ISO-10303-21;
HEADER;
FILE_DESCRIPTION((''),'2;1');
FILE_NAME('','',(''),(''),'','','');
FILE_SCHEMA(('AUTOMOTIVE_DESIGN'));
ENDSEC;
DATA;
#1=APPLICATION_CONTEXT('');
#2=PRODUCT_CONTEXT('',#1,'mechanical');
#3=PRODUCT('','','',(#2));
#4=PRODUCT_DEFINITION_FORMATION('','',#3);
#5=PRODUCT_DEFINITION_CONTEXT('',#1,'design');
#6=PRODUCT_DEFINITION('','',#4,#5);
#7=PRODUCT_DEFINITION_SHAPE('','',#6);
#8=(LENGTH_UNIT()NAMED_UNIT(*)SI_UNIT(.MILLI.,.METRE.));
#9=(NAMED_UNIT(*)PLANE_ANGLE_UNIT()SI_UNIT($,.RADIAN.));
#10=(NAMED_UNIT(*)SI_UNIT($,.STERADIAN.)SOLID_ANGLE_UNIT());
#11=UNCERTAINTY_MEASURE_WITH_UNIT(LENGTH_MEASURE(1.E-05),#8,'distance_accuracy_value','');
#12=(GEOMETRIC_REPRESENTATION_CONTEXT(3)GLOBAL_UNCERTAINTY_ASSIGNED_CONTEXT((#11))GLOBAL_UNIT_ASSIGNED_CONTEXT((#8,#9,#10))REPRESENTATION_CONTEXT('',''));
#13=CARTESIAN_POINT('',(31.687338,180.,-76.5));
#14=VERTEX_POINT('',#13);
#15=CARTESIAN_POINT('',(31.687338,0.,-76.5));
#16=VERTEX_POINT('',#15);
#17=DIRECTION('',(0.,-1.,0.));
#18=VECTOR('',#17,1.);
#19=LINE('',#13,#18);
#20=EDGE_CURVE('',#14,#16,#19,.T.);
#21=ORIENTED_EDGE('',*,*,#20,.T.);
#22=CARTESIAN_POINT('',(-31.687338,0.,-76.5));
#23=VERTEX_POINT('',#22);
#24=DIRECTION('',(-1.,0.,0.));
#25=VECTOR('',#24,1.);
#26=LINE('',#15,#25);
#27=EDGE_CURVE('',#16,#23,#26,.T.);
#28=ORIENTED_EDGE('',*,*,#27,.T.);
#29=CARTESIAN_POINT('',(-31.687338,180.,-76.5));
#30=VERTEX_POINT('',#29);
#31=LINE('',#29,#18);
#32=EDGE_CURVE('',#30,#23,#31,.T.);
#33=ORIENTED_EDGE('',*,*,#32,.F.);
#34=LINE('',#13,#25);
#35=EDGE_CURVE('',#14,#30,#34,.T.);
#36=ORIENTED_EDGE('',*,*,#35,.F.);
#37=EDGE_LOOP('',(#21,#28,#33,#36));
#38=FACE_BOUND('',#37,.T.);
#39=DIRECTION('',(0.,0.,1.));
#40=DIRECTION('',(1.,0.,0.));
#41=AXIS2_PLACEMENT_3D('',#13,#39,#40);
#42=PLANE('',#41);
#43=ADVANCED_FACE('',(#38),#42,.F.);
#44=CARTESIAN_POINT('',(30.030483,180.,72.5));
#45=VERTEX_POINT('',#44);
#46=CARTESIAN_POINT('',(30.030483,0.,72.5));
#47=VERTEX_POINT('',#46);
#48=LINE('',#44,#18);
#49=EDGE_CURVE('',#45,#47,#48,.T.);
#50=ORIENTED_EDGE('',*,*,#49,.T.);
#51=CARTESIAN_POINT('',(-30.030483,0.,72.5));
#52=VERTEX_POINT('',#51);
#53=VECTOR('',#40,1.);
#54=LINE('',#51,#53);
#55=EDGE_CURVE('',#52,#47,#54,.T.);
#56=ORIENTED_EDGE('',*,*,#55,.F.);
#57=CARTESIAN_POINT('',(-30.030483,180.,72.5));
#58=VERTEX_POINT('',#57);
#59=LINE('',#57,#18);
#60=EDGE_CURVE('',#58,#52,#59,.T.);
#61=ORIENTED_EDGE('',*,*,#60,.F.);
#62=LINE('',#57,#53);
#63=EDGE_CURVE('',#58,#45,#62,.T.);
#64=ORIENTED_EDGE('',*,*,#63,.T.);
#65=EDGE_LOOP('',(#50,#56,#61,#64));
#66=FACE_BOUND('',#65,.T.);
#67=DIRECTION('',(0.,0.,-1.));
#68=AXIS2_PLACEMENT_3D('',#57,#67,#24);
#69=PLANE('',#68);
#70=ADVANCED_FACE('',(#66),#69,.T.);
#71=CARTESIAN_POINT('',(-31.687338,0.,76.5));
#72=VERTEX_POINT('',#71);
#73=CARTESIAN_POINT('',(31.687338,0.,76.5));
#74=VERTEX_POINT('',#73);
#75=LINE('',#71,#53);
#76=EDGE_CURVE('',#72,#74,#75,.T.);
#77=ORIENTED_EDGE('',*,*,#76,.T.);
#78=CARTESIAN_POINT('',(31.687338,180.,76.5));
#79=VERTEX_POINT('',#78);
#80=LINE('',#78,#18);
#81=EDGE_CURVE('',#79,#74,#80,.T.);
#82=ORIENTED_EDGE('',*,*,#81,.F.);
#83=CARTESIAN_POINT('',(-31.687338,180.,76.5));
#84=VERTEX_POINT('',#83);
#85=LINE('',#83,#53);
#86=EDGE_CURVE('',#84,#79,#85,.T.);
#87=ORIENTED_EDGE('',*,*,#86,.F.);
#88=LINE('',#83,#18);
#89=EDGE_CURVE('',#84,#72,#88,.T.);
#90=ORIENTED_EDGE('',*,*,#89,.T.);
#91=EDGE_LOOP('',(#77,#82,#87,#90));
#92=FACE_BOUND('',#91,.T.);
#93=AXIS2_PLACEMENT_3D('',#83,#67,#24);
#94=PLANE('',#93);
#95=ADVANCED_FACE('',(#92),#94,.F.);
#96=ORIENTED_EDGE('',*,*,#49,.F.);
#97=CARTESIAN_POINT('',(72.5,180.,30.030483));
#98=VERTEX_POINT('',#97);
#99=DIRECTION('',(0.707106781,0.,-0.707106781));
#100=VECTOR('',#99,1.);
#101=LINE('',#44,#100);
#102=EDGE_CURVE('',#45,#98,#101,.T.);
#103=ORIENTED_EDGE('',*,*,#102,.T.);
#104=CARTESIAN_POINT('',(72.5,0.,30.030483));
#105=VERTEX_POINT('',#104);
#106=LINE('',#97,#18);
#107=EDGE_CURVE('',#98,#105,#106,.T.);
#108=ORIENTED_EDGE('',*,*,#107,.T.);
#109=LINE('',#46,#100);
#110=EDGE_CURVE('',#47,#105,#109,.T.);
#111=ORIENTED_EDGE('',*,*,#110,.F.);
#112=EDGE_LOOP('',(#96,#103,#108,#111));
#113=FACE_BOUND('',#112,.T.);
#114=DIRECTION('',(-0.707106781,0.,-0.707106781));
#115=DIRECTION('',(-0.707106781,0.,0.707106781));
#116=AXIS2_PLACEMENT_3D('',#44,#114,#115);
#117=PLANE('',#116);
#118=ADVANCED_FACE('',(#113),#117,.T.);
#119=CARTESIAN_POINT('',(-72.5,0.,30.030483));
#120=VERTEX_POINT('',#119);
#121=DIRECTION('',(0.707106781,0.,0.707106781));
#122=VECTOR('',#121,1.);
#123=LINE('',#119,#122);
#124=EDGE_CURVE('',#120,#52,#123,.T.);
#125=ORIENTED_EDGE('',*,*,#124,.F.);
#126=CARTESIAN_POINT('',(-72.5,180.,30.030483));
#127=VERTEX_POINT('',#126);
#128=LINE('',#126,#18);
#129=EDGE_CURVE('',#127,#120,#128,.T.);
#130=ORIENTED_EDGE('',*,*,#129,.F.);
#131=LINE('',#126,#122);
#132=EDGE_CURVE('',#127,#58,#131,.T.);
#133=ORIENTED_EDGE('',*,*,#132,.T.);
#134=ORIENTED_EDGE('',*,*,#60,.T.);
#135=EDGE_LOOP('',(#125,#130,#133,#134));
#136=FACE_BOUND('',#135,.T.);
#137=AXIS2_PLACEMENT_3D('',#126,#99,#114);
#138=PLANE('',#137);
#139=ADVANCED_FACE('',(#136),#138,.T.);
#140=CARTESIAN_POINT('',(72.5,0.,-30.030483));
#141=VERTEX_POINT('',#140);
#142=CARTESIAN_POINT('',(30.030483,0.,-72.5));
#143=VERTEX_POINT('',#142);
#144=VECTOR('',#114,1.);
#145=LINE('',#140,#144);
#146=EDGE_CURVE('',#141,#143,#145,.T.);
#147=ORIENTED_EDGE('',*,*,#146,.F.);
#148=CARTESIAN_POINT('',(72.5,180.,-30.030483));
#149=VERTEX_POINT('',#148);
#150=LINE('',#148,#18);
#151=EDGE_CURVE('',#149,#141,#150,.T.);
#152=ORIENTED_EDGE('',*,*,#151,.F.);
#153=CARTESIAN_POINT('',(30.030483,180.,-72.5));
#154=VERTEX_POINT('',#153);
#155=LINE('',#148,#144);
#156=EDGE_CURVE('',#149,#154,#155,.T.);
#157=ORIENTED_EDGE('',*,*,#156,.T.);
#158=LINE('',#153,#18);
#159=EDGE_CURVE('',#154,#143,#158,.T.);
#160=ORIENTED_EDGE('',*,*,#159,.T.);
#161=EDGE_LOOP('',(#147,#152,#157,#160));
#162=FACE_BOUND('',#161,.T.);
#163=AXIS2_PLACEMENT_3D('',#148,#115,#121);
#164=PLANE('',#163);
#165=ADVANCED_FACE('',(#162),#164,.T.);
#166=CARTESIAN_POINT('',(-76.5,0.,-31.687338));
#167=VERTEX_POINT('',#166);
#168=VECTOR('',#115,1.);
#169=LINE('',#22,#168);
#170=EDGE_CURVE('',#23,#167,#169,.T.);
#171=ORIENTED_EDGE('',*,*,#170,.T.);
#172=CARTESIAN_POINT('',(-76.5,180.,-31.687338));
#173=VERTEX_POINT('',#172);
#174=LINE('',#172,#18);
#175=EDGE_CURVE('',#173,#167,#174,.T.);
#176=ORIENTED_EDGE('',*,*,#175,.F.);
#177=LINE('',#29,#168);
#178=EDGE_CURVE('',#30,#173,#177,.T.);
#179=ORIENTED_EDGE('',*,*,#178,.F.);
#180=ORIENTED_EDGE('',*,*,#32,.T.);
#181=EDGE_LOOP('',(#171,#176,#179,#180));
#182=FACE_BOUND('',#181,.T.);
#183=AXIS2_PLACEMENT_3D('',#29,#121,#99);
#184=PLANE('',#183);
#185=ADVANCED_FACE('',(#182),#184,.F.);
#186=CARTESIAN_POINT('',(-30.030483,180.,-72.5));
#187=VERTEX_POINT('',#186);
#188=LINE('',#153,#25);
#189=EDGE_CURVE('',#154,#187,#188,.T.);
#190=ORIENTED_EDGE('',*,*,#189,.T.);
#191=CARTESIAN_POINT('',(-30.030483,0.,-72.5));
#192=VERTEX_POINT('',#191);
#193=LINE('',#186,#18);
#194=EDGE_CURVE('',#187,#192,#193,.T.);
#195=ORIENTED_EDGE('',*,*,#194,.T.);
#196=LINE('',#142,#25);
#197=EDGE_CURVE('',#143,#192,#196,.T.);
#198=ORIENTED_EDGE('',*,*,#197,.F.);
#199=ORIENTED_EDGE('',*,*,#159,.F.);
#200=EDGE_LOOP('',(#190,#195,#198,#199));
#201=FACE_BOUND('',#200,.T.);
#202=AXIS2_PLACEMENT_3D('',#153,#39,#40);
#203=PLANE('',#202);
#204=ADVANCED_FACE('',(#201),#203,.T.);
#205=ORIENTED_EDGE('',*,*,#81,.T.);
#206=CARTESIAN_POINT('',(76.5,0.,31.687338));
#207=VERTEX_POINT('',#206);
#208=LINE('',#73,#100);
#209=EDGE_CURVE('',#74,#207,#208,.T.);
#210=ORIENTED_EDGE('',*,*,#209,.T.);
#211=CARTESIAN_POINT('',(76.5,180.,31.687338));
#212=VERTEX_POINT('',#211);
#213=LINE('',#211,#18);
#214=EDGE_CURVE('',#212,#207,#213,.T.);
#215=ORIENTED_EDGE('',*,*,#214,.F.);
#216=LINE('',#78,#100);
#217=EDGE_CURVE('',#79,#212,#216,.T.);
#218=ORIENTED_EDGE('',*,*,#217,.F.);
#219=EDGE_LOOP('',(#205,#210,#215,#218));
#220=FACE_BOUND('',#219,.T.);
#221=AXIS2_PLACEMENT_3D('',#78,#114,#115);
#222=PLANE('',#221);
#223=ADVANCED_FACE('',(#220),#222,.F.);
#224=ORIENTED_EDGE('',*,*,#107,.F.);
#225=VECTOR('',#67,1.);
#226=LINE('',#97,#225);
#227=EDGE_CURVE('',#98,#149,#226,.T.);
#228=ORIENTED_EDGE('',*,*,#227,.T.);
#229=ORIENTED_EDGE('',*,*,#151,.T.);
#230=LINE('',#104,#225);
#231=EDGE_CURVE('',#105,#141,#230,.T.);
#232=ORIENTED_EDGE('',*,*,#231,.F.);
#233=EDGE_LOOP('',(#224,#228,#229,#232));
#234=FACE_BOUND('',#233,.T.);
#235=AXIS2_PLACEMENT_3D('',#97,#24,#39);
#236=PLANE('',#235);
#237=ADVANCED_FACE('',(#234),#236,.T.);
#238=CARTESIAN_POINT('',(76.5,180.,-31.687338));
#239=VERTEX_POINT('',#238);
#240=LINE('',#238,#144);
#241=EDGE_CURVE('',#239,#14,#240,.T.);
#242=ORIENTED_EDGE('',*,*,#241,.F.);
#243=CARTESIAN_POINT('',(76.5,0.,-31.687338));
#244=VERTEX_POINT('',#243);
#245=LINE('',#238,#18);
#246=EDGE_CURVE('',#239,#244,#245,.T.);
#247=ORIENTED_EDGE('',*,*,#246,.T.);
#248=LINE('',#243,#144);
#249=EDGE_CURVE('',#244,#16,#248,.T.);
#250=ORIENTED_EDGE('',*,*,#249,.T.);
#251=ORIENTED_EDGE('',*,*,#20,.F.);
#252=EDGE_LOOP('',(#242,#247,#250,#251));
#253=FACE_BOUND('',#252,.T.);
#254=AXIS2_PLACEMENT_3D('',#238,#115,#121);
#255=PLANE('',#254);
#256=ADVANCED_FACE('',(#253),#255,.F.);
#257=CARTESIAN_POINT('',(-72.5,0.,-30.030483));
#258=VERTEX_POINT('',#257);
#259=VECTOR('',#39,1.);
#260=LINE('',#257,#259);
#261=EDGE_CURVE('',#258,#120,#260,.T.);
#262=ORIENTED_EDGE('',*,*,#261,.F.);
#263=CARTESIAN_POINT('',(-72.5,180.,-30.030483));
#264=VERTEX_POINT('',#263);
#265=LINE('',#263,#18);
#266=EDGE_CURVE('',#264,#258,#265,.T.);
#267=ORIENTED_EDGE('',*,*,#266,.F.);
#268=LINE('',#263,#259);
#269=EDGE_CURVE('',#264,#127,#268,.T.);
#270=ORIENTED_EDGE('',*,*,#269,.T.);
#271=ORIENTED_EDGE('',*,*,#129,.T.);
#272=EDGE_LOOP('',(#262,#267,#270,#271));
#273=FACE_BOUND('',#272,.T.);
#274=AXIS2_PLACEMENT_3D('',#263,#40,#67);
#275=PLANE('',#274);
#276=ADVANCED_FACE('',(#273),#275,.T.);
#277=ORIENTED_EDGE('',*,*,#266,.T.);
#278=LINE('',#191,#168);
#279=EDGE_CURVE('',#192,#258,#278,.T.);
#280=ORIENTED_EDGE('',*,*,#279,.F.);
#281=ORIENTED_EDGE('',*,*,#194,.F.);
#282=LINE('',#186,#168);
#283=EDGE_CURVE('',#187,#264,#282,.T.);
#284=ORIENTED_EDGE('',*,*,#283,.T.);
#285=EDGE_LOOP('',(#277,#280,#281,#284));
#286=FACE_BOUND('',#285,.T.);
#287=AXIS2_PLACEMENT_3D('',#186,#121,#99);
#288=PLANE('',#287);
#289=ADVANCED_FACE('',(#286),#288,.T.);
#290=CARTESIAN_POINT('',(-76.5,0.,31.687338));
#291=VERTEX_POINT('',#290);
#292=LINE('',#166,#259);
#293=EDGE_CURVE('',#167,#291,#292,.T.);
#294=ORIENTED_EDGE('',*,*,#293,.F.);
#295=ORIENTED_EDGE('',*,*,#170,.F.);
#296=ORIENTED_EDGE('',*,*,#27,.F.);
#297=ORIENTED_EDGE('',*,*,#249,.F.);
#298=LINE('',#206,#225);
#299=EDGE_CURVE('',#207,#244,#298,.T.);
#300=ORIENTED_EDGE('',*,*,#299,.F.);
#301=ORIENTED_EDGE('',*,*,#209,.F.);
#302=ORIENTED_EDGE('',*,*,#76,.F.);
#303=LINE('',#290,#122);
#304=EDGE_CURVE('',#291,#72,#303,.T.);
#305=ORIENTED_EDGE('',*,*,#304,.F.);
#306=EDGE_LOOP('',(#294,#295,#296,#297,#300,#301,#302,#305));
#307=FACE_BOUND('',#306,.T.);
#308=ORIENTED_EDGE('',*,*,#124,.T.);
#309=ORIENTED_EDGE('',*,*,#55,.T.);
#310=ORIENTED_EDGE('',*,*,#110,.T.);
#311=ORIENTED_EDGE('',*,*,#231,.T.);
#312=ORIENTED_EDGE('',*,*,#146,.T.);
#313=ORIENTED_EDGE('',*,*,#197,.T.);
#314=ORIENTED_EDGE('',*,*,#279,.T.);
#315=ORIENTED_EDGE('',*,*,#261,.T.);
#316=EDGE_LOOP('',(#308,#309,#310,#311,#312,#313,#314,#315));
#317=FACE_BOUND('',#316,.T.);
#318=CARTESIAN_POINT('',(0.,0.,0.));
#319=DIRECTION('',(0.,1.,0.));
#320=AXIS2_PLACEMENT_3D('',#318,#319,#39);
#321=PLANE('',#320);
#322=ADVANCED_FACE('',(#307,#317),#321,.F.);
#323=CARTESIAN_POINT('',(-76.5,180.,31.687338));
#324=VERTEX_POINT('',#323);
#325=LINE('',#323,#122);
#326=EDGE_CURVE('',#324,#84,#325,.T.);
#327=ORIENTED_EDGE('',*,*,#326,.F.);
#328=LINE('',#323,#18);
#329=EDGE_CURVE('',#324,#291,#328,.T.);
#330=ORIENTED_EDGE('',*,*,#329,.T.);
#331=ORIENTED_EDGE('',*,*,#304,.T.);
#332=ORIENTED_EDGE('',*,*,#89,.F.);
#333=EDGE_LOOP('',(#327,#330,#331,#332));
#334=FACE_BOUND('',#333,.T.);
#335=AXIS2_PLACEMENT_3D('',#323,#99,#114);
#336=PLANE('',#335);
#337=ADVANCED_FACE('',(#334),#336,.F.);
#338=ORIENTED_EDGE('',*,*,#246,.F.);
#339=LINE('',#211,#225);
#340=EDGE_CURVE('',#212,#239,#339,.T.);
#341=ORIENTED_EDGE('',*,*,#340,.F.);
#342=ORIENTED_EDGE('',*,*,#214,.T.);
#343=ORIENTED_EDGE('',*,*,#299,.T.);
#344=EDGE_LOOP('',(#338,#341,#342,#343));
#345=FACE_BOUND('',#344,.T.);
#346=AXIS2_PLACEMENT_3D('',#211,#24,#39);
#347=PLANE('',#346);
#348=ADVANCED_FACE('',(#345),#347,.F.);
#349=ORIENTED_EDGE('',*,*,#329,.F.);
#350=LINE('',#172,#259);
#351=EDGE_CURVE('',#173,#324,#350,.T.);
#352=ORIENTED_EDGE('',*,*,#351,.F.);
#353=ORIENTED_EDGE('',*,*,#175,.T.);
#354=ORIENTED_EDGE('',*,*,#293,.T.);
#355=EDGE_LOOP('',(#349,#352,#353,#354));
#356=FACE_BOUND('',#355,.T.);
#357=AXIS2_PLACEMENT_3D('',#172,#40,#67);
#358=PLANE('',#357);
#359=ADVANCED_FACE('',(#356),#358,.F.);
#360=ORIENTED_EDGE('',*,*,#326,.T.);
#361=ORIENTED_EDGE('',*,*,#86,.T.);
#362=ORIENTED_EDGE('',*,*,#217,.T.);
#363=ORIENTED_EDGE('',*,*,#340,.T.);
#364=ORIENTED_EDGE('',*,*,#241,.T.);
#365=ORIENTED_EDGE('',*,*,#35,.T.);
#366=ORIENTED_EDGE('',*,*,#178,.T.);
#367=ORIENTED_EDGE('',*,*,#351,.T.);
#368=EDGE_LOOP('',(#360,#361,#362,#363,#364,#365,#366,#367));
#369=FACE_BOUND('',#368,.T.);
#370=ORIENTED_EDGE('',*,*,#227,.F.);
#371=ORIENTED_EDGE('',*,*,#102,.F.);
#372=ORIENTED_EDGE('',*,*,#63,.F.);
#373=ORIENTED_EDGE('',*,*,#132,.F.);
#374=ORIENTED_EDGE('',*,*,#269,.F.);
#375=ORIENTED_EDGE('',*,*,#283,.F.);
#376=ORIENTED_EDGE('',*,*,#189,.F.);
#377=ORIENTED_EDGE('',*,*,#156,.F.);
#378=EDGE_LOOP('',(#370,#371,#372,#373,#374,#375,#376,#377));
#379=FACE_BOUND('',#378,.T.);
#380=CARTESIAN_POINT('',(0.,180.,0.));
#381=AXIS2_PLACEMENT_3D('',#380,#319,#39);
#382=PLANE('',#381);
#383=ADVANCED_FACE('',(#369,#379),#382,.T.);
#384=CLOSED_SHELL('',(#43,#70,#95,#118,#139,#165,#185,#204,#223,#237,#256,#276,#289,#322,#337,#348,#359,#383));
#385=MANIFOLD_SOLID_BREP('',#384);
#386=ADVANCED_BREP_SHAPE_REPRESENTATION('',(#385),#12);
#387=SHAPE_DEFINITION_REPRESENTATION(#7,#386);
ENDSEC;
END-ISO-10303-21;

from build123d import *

# Parameters (mm, degrees)
BOSS_EXTRUDE4_DEPTH = 180


with BuildPart() as part:
    # Sketch2 → Boss-Extrude4 (new body)
    with BuildSketch(Plane(origin=(0, 0, 0), x_dir=(1, 0, 0), z_dir=(0, 1, 0))):
        Polygon((-76.5, 31.687337522), (-76.5, -31.687337522), (-31.687337522, -76.5), (31.687337522, -76.5), (76.5, -31.687337522), (76.5, 31.687337522), (31.687337522, 76.5), (-31.687337522, 76.5), align=None)
        Polygon((-72.5, -30.030483272), (-30.030483272, -72.5), (30.030483272, -72.5), (72.5, -30.030483272), (72.5, 30.030483272), (30.030483272, 72.5), (-30.030483272, 72.5), (-72.5, 30.030483272), align=None, mode=Mode.SUBTRACT)
    extrude(amount=BOSS_EXTRUDE4_DEPTH)


solid = part.part
